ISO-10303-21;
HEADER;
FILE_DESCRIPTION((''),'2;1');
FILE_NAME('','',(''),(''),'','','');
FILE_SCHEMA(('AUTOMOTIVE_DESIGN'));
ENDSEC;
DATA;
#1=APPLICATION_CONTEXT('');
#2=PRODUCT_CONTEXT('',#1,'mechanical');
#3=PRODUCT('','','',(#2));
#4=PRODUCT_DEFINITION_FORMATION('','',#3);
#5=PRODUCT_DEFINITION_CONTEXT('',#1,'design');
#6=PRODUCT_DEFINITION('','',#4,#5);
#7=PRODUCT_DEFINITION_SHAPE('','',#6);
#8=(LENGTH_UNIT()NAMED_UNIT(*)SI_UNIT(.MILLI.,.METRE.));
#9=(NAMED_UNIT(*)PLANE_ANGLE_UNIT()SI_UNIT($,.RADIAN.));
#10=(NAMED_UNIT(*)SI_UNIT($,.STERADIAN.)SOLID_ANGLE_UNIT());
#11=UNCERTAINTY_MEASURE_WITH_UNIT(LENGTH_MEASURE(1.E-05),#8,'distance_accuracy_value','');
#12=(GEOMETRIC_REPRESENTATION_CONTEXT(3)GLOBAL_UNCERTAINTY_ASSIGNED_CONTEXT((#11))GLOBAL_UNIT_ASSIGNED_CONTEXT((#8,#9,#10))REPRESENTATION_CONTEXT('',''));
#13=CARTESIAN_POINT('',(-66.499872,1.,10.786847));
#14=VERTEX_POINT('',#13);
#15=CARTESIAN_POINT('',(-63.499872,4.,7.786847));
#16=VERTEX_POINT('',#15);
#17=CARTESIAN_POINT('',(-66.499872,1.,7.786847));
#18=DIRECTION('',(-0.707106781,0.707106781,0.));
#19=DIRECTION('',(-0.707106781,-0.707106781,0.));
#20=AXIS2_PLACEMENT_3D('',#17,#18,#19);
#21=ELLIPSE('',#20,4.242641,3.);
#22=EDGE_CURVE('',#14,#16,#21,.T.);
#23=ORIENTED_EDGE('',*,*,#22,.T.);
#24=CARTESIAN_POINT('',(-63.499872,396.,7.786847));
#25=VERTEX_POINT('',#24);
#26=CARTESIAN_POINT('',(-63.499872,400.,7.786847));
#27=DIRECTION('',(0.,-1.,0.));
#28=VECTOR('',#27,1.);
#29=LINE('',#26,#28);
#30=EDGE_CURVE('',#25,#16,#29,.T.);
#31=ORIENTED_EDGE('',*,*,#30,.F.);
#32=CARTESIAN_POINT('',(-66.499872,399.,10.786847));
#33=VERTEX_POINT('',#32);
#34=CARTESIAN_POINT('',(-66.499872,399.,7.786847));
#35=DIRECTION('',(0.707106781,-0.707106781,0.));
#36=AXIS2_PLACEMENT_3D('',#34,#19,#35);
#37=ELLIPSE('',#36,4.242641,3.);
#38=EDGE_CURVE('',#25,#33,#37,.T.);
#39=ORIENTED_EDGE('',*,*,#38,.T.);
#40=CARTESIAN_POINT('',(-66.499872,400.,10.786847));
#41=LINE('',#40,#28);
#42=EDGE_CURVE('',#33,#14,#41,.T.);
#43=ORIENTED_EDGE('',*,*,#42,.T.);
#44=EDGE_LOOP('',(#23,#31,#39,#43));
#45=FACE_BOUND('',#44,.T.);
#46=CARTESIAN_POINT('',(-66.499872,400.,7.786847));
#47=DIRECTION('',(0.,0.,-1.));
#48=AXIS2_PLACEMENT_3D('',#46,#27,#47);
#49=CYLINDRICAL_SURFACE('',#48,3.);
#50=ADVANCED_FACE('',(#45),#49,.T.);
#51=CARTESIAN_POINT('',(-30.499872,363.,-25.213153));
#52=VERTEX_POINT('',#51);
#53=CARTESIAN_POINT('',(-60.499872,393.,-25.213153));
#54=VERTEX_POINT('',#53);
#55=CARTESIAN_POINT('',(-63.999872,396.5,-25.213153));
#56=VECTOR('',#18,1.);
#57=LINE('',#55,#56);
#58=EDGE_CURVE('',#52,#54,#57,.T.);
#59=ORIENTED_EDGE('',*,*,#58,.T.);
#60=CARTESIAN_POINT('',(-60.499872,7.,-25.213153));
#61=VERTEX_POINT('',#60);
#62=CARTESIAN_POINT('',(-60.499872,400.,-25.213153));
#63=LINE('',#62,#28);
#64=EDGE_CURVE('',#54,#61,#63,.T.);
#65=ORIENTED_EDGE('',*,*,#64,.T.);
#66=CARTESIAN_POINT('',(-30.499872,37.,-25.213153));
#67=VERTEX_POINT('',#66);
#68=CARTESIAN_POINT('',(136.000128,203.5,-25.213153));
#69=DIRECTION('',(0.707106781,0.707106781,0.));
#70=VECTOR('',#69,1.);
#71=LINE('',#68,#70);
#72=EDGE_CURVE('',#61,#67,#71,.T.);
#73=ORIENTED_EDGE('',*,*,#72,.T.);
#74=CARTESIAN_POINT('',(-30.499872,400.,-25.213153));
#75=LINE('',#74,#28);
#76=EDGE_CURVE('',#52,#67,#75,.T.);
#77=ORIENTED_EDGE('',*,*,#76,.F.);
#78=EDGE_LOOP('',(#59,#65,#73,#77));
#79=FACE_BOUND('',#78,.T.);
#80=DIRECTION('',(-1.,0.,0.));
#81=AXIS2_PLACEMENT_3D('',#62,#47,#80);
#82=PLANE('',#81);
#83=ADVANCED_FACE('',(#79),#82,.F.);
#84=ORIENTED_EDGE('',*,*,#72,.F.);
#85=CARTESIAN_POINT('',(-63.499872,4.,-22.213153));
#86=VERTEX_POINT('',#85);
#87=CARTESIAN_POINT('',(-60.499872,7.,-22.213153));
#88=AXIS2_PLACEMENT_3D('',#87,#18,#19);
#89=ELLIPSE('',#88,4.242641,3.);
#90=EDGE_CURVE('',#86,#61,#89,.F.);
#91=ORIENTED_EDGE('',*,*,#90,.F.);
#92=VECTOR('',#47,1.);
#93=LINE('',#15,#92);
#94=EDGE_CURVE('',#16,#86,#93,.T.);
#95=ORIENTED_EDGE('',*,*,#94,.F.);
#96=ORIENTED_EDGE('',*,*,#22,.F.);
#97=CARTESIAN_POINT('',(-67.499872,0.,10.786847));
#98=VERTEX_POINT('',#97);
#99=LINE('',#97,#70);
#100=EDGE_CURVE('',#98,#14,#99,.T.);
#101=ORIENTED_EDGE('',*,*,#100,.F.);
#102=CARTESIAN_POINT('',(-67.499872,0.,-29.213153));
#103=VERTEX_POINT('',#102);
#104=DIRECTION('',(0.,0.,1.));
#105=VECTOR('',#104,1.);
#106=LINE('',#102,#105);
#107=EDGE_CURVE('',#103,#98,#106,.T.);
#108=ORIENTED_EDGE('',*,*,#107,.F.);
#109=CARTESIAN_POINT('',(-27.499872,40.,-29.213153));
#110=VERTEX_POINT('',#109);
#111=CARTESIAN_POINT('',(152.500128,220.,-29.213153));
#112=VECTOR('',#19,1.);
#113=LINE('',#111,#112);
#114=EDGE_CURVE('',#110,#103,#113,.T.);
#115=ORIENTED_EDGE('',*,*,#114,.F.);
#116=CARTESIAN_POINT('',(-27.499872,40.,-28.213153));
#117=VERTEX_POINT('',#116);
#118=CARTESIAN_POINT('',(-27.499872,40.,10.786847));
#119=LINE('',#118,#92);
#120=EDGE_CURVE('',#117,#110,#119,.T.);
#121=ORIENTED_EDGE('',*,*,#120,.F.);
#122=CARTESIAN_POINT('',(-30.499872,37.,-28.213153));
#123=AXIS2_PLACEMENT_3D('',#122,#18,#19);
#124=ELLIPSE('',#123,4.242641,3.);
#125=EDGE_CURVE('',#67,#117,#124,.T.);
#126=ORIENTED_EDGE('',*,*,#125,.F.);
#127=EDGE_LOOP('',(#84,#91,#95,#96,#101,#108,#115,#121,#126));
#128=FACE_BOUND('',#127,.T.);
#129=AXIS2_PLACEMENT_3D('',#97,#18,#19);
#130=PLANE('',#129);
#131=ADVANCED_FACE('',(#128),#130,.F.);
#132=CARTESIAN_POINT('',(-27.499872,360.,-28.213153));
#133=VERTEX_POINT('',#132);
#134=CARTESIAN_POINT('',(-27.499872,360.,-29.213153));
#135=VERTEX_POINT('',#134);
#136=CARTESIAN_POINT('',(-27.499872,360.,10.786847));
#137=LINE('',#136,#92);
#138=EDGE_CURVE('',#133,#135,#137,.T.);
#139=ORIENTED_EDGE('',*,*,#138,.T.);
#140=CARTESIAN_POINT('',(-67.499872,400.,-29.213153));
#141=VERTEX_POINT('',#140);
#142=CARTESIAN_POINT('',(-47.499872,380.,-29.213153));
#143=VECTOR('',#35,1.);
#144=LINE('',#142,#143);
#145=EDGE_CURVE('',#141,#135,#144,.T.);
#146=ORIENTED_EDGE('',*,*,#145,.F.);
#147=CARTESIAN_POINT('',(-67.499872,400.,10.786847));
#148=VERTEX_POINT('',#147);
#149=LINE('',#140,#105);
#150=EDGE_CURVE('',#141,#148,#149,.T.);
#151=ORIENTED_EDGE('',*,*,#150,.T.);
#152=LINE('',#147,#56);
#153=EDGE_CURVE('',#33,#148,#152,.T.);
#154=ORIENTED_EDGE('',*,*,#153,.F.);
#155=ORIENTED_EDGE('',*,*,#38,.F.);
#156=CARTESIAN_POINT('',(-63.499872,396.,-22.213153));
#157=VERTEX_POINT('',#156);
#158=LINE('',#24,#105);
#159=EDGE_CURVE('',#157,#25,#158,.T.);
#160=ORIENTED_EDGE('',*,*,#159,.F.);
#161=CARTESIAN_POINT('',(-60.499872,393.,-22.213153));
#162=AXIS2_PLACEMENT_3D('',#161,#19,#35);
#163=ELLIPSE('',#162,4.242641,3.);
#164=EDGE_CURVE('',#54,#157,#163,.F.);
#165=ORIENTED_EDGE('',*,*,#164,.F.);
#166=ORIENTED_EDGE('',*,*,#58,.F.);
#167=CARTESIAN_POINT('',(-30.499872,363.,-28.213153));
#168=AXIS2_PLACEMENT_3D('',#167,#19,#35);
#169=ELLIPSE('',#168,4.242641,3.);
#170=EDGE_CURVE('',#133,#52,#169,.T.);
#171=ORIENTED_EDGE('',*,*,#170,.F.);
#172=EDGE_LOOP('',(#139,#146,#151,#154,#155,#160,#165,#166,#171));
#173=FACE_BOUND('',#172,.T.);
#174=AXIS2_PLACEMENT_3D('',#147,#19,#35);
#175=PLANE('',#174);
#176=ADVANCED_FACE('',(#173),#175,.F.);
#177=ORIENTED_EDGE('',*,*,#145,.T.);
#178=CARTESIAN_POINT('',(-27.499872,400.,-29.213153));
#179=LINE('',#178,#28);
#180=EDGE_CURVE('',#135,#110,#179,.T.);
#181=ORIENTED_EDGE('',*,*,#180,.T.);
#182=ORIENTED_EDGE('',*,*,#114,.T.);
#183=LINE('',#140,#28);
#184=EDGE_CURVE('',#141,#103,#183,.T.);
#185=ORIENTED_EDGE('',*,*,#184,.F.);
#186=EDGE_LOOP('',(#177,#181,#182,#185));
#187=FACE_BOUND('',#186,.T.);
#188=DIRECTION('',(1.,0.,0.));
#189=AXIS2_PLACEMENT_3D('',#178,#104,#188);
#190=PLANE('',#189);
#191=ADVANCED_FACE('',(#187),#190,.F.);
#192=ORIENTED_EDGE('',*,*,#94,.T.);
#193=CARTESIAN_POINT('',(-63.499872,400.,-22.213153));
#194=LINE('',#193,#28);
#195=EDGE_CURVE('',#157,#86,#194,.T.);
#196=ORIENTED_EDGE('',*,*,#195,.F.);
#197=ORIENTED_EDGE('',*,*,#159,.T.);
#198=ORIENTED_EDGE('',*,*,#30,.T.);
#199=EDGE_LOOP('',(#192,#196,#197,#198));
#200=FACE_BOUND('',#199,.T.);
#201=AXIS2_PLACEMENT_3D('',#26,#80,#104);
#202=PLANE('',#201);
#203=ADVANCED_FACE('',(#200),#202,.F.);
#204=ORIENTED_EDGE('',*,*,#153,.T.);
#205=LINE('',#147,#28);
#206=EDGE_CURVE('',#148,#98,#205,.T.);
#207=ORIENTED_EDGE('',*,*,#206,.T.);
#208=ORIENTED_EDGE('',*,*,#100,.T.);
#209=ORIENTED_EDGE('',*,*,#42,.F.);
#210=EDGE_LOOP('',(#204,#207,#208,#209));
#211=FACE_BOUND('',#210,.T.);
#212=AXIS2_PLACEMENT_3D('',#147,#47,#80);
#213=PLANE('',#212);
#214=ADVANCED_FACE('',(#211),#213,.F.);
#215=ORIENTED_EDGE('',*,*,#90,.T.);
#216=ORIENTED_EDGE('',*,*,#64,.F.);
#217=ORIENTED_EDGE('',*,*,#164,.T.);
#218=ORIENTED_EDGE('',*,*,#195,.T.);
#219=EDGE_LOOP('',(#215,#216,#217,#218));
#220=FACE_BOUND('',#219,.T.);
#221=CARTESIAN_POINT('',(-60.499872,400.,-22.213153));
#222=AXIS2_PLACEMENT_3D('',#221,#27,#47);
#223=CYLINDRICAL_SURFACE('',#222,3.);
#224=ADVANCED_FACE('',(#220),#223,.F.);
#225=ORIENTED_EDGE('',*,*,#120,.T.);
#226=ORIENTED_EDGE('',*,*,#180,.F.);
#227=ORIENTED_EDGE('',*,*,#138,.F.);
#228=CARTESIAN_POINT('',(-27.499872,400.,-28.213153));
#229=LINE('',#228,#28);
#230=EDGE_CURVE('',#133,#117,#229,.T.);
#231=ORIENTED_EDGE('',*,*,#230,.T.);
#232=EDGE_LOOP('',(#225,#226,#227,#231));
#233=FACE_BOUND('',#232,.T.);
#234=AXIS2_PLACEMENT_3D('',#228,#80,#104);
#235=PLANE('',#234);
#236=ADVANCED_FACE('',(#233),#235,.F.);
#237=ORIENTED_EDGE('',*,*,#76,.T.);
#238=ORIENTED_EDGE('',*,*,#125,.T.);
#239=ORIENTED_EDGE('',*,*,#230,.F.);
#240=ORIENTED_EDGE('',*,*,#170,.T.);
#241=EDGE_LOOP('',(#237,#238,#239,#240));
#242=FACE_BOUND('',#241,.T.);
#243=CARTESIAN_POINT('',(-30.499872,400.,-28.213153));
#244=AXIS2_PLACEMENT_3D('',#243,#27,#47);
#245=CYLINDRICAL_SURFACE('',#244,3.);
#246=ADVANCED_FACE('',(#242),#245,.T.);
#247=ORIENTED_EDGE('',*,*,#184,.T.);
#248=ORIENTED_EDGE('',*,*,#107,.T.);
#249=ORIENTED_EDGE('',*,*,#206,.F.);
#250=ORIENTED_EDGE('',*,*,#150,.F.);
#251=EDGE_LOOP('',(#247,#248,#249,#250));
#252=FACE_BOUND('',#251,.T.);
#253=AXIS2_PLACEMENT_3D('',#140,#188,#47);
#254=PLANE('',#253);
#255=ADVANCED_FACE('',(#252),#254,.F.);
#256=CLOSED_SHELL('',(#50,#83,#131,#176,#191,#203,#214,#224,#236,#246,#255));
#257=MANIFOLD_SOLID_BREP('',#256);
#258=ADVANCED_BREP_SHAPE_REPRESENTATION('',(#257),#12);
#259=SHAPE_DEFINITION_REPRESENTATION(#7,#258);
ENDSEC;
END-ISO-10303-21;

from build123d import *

# Parameters (mm, degrees)
BOSS_EXTRUDE1_DEPTH     = 400
CUT_EXTRUDE1_DEPTH      = 408.622659747
CUT_EXTRUDE1_DEPTH_BACK = 408.622659747


with BuildPart() as part:
    # Sketch1 → Boss-Extrude1 (new body)
    with BuildSketch(Plane(origin=(0, 0, 0), x_dir=(1, 0, 0), z_dir=(0, 1, 0))):
        with BuildLine():
            Line((-27.499872145, 29.213153277), (-67.499872145, 29.213153277))
            Line((-67.499872145, 29.213153277), (-67.499872145, -10.786846723))
            Line((-67.499872145, -10.786846723), (-66.499872145, -10.786846723))
            ThreePointArc((-66.499872145, -10.786846723), (-64.378551801, -9.908167067), (-63.499872145, -7.786846723))
            Line((-63.499872145, -7.786846723), (-63.499872145, 22.213153277))
            ThreePointArc((-63.499872145, 22.213153277), (-62.621192489, 24.334473621), (-60.499872145, 25.213153277))
            Line((-60.499872145, 25.213153277), (-30.499872145, 25.213153277))
            ThreePointArc((-30.499872145, 25.213153277), (-28.378551801, 26.091832933), (-27.499872145, 28.213153277))
            Line((-27.499872145, 28.213153277), (-27.499872145, 29.213153277))
        make_face()
    extrude(amount=BOSS_EXTRUDE1_DEPTH)

    # Sketch2 → Cut-Extrude1 (cut, two sides: drawn at the far end of the back side and taken through both)
    with BuildSketch(Plane(origin=(0, 0, -29.213153277), x_dir=(-1, 0, 0), z_dir=(0, 0, -1)).offset(-CUT_EXTRUDE1_DEPTH_BACK)):
        Polygon((67.499872145, 0), (27.499872145, 40), (27.499872145, 0), align=None)
        Polygon((27.499872145, 400), (67.499872145, 400), (27.499872145, 360), align=None)
    extrude(amount=CUT_EXTRUDE1_DEPTH + CUT_EXTRUDE1_DEPTH_BACK, mode=Mode.SUBTRACT)


solid = part.part
